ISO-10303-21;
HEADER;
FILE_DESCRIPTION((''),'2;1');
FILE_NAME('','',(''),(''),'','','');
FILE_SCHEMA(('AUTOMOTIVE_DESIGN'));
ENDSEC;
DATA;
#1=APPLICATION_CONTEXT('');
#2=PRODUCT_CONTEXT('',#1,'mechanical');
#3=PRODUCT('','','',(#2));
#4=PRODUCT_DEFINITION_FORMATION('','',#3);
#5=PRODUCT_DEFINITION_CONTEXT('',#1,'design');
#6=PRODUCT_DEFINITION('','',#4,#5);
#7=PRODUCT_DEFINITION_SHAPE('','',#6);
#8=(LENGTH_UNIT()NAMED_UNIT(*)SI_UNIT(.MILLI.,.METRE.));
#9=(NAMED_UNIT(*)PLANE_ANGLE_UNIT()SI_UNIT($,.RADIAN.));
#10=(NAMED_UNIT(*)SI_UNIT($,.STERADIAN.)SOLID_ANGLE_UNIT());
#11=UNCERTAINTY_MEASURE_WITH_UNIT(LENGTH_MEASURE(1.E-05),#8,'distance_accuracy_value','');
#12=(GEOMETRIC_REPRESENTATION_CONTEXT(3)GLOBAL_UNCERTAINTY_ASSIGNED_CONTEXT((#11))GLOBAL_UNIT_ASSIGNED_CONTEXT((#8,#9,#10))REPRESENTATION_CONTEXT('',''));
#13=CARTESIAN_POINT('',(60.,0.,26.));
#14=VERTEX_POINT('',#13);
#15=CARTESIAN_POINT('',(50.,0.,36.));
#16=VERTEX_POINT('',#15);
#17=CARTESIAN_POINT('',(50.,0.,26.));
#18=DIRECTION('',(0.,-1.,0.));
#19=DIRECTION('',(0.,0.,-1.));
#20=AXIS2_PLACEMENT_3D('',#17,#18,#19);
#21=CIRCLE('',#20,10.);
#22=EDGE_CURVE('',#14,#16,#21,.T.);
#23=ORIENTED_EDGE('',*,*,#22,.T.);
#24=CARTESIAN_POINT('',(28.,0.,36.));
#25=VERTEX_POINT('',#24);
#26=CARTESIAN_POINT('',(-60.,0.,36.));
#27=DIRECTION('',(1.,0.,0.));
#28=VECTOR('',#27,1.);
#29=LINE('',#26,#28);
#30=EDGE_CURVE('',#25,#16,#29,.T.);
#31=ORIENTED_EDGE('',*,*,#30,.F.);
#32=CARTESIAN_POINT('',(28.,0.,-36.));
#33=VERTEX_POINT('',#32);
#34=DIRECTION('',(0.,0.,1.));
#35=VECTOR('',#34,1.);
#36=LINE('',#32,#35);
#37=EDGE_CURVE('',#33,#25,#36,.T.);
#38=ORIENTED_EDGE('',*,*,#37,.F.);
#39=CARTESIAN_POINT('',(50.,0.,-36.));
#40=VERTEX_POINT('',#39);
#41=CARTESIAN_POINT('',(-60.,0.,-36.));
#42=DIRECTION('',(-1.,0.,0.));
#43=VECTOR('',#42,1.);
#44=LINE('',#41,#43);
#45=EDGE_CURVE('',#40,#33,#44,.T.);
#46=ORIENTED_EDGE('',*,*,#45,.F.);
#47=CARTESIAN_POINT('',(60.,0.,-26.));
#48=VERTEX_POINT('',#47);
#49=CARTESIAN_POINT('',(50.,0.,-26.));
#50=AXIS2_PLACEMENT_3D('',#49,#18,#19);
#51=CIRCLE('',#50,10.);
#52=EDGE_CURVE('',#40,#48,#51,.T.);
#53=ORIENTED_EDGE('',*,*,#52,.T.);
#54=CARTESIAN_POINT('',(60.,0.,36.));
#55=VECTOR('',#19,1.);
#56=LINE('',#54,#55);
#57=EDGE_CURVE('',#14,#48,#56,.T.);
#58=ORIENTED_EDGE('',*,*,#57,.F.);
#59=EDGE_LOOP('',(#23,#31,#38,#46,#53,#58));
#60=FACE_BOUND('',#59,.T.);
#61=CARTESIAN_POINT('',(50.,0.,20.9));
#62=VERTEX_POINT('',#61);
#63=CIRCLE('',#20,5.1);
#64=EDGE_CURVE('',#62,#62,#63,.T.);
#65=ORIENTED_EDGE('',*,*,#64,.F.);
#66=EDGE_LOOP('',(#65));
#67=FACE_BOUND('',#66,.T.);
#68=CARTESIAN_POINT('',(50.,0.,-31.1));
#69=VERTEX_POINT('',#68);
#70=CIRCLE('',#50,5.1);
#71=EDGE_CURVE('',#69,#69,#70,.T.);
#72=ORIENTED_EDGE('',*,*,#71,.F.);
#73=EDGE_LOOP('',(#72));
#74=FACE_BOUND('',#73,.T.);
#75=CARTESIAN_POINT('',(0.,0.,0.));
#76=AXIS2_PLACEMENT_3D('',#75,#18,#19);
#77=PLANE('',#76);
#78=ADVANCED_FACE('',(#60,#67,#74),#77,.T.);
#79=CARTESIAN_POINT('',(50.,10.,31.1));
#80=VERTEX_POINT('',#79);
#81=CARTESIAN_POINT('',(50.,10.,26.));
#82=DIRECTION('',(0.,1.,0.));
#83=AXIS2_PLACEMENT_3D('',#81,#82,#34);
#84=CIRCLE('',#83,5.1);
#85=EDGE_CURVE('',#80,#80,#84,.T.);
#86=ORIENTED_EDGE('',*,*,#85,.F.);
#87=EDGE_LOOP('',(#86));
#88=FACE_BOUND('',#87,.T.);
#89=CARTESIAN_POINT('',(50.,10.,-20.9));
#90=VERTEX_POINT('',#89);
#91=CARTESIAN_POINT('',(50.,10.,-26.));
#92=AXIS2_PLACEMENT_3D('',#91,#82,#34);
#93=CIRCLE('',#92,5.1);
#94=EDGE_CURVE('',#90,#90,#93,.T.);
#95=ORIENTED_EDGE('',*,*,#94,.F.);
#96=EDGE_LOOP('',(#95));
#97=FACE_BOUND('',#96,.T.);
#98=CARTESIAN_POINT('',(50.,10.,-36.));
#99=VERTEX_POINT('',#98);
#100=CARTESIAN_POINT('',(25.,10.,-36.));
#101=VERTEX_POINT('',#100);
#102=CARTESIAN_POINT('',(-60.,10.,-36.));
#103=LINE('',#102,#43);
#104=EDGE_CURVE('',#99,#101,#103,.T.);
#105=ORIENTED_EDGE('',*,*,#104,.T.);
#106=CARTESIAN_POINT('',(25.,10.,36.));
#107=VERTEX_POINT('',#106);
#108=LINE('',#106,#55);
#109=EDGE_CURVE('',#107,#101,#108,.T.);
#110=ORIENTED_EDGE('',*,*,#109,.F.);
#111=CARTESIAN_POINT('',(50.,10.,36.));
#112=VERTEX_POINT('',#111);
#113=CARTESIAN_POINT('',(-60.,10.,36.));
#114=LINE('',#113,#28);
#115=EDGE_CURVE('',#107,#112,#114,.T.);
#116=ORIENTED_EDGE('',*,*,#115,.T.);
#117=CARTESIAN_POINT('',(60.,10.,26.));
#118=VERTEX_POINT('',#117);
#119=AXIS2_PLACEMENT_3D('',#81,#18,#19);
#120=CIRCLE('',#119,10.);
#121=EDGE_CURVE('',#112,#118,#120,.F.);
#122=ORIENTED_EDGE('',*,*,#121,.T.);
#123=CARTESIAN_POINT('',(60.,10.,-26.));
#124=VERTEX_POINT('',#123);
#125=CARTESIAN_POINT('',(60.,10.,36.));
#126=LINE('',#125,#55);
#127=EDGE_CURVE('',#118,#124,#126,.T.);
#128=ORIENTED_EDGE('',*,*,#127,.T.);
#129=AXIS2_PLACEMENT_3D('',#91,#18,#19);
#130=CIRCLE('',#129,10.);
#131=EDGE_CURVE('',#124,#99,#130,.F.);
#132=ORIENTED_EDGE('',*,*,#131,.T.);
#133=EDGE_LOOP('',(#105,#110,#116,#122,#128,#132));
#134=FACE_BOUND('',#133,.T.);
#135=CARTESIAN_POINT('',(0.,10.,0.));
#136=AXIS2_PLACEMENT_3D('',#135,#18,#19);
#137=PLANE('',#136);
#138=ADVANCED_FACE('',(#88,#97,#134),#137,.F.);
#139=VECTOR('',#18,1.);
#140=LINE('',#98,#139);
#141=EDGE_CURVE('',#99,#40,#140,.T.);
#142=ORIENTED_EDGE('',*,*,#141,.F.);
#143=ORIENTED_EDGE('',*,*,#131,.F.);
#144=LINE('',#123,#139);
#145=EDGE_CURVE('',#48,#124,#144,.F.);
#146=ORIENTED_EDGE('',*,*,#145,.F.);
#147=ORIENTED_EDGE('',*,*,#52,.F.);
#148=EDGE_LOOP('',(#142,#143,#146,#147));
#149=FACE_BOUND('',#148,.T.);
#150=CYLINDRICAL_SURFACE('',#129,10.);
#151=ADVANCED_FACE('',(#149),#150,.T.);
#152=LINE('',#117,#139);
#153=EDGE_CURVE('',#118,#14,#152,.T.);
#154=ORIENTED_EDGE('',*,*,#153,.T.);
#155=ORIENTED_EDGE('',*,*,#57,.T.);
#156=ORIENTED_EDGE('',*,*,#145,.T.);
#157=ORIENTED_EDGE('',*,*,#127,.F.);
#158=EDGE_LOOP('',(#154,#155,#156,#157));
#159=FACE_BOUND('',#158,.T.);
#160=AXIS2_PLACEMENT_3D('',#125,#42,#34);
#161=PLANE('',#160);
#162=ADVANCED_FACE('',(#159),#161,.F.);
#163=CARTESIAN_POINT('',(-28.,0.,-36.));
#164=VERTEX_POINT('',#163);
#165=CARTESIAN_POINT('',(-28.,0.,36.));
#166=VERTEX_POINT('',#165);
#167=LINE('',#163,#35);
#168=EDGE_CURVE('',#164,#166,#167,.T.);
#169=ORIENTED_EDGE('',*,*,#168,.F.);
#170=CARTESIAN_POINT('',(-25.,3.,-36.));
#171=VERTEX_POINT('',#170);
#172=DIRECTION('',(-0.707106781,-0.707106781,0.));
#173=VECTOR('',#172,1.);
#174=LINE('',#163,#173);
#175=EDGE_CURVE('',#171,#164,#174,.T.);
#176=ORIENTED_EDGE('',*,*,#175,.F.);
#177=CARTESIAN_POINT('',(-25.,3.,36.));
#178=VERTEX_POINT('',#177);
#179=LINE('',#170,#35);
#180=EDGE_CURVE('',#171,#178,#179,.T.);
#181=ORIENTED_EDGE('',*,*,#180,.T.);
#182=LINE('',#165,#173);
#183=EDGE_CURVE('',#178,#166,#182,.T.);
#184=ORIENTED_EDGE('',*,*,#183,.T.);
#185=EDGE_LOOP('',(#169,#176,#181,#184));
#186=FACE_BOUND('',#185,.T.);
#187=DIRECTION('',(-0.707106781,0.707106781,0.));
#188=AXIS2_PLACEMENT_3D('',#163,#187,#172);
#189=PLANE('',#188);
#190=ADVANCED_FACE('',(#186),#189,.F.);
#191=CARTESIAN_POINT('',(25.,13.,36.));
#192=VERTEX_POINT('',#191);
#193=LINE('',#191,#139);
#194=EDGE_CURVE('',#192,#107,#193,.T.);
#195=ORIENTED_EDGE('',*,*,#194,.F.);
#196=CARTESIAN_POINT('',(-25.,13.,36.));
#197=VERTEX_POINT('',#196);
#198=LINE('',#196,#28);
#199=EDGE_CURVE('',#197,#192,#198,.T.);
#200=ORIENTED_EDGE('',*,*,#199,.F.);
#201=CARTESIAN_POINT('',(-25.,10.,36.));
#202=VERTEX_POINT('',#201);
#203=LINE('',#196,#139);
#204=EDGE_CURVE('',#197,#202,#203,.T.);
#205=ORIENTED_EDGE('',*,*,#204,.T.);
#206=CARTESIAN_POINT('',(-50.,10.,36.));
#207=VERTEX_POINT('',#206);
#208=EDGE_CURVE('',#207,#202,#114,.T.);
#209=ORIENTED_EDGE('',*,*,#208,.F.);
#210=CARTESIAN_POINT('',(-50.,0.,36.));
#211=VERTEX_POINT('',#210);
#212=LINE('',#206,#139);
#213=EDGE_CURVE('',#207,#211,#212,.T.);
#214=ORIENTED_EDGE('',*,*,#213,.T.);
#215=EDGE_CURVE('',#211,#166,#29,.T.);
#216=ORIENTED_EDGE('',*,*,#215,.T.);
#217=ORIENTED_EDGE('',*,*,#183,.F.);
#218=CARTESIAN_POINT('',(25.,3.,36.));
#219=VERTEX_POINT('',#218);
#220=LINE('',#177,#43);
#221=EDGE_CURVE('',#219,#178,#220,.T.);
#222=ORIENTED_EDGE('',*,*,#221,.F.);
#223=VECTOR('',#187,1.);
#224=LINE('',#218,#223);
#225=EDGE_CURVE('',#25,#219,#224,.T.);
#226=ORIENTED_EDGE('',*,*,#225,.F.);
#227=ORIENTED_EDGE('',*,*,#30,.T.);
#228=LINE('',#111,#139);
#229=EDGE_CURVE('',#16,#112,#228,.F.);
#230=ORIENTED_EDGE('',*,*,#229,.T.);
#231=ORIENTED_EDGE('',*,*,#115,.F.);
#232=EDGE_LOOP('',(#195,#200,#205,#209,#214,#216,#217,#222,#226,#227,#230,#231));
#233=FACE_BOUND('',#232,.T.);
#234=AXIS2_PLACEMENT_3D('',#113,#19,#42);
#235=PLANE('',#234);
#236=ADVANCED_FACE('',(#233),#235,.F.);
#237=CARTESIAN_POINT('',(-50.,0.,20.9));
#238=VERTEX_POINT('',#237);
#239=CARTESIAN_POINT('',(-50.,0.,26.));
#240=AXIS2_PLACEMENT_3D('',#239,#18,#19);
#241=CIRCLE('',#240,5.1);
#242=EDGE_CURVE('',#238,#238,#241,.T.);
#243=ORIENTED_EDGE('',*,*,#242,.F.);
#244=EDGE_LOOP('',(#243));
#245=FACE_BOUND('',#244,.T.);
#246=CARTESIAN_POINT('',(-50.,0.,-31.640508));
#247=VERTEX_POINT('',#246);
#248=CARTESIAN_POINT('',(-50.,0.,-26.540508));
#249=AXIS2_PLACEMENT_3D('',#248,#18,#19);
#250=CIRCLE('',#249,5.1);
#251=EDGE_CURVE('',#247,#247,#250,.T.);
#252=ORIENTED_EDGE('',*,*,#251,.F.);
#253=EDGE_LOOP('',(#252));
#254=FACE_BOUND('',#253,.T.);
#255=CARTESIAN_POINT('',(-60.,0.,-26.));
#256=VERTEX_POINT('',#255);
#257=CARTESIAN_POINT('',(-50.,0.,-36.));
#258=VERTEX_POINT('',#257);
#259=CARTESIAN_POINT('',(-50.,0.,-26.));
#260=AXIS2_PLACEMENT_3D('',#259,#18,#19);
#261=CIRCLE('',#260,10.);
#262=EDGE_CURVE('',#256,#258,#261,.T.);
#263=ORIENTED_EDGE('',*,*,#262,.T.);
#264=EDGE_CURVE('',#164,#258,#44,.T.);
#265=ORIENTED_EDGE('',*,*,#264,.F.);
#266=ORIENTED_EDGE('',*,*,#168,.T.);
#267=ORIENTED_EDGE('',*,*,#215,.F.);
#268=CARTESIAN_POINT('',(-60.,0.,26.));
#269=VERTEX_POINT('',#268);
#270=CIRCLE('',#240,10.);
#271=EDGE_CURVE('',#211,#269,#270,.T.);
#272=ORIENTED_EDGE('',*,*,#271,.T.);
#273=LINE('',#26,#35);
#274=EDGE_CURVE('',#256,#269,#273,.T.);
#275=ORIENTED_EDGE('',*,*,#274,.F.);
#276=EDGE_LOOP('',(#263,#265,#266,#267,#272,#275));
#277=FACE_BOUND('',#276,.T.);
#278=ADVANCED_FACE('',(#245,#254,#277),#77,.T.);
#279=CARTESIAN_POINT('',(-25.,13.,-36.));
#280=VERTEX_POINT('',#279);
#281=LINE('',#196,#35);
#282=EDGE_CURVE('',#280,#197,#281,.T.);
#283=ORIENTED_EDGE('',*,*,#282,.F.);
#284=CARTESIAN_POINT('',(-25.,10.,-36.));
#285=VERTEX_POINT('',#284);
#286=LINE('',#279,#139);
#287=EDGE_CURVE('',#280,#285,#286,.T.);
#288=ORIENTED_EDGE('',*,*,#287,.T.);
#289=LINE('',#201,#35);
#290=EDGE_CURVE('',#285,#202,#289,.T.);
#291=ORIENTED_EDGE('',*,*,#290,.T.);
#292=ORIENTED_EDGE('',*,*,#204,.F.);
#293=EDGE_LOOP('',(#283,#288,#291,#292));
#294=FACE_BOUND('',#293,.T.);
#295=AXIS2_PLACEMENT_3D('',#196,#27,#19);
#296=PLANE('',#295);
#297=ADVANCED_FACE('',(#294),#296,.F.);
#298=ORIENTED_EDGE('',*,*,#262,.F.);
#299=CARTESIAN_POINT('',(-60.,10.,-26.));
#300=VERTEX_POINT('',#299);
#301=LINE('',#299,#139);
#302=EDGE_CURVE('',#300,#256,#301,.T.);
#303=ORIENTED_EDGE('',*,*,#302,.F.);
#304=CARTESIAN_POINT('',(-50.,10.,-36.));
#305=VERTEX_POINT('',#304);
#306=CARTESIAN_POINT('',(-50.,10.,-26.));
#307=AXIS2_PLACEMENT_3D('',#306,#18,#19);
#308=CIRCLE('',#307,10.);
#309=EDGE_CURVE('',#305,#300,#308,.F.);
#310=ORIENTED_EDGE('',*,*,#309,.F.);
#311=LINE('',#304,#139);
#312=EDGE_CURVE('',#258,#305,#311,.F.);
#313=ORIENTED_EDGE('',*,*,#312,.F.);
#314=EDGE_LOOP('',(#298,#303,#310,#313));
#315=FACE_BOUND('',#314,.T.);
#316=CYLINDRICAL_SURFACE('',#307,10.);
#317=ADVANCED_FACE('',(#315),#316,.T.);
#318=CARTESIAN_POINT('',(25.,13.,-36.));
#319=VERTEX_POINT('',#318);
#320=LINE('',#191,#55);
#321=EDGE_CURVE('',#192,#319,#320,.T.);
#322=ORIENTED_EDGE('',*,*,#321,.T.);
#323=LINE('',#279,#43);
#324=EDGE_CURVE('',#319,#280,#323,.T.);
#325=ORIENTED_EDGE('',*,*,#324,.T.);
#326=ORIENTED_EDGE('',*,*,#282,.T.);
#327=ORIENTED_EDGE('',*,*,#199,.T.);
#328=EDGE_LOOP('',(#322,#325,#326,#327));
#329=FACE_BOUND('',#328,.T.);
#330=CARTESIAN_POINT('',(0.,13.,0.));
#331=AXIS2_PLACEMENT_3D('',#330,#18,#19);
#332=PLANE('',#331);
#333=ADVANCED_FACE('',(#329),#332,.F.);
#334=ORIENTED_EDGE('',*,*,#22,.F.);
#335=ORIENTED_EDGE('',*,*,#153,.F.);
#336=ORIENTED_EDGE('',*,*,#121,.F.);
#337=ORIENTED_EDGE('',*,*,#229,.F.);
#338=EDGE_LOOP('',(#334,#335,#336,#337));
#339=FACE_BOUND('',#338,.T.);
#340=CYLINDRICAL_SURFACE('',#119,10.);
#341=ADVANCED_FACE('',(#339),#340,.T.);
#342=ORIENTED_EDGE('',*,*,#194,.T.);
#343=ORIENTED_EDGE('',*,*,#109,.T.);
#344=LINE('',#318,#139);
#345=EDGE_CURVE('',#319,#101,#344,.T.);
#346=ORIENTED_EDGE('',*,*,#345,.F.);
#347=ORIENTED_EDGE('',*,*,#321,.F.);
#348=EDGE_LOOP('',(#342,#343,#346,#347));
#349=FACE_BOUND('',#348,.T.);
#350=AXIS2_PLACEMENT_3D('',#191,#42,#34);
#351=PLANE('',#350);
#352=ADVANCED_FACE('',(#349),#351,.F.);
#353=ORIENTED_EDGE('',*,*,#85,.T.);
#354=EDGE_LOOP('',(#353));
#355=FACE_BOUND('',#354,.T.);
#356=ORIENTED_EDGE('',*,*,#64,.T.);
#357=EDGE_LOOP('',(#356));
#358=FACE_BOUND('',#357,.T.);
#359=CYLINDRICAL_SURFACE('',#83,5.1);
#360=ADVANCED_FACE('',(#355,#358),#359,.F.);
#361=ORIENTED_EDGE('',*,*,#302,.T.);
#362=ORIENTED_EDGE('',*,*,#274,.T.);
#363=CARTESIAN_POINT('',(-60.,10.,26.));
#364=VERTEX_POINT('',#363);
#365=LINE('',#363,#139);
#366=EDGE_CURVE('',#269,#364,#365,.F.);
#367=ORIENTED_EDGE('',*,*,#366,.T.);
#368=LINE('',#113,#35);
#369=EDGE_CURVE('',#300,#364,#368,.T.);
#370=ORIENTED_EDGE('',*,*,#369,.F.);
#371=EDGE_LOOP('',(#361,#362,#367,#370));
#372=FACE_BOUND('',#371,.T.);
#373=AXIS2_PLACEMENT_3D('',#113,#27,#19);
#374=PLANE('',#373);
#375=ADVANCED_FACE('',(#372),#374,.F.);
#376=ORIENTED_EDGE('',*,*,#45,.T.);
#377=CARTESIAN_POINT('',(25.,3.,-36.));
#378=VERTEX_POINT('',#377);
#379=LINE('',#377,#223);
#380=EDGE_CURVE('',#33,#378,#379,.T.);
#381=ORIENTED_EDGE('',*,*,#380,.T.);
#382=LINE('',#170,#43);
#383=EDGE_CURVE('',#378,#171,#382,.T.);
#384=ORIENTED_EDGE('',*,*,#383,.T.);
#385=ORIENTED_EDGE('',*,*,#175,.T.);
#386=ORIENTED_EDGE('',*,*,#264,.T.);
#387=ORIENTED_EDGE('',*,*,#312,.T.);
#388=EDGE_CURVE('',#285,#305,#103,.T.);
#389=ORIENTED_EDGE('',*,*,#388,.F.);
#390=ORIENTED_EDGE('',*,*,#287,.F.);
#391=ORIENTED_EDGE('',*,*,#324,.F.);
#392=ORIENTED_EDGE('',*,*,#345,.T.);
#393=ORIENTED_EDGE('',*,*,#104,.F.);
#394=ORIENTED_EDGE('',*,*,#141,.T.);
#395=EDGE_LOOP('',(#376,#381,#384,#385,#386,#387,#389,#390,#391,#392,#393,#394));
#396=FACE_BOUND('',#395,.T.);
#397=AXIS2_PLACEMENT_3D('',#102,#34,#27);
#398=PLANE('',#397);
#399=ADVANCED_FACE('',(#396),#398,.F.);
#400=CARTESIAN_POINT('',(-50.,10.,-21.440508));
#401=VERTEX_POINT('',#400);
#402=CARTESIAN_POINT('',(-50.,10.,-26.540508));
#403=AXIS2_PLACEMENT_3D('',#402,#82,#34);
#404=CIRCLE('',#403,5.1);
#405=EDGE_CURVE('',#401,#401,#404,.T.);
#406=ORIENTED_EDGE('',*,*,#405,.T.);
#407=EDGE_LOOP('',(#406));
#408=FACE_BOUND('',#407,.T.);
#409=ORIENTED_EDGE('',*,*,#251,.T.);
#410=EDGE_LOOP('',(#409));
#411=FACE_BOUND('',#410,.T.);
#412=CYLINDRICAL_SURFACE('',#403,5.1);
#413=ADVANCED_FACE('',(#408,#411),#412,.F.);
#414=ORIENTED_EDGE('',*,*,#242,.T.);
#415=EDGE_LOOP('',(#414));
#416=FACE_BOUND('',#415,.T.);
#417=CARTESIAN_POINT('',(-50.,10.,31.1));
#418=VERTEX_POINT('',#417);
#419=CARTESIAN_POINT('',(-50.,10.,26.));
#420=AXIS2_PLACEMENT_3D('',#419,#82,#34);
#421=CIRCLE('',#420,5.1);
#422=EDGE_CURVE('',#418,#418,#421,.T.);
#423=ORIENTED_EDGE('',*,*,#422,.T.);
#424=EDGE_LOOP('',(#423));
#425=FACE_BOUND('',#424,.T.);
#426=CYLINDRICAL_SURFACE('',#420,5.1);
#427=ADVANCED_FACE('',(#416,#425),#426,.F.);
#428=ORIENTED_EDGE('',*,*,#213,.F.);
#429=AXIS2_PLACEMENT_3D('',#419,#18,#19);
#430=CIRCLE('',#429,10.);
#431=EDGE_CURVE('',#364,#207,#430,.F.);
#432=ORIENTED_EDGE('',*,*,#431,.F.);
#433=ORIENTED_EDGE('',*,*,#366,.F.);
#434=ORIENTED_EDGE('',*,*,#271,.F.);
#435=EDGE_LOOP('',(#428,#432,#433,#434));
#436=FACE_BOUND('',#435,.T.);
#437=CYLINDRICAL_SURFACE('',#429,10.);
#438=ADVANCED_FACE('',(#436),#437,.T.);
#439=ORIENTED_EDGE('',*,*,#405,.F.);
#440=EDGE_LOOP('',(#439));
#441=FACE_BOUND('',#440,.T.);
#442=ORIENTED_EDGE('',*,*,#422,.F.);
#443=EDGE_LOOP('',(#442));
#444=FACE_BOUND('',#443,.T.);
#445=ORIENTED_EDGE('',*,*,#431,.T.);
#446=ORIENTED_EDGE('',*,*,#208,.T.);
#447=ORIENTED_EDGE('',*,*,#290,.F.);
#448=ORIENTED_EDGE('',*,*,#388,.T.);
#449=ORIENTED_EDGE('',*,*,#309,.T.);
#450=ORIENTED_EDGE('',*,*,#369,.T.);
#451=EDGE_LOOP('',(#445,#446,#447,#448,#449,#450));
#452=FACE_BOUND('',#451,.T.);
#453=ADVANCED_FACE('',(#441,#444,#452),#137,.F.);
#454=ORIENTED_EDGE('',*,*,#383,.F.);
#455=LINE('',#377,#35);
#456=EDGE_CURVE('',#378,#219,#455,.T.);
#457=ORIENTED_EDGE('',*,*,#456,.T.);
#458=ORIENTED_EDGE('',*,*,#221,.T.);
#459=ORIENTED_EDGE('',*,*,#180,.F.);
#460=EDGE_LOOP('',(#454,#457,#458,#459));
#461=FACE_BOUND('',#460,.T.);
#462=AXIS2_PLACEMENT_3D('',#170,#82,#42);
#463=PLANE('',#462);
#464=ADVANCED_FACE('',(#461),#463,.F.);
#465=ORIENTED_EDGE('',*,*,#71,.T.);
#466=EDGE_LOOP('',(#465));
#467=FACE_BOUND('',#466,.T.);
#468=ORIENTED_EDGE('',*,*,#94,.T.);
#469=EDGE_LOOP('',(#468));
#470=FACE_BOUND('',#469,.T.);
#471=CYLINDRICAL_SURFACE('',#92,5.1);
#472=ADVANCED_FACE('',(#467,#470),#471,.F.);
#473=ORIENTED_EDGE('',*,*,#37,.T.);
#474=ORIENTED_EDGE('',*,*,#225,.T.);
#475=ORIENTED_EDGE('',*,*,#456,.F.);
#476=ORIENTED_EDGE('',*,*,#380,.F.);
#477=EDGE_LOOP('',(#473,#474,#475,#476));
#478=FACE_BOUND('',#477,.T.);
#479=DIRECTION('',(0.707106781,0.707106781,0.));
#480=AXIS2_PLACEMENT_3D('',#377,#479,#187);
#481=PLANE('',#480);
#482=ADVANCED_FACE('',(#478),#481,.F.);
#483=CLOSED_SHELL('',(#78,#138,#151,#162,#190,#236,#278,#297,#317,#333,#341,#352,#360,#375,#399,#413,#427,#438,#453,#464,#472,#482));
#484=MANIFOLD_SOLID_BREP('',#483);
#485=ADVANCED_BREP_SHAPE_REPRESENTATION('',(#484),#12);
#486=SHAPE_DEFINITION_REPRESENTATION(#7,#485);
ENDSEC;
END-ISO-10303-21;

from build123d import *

# Parameters (mm, degrees)
SKETCH1_W              = 120
SKETCH1_H              = 72
BOSS_EXTRUDE1_DEPTH    = 10
FILLET1_R              = 10
M12_TAPPED_HOLE1_D     = 10.2
M12_TAPPED_HOLE1_DEPTH = 10
SKETCH4_W              = 50
SKETCH4_H              = 72
BOSS_EXTRUDE2_DEPTH    = 3
CUT_EXTRUDE1_DEPTH     = 73


with BuildPart() as part:
    # Sketch1 → Boss-Extrude1 (new body)
    with BuildSketch(Plane(origin=(0, 0, 0), x_dir=(1, 0, 0), z_dir=(0, 1, 0))):
        Rectangle(SKETCH1_W, SKETCH1_H)
    extrude(amount=BOSS_EXTRUDE1_DEPTH)

    # Fillet1
    fillet1_edges = [part.edges().sort_by_distance(p)[0] for p in [
        (60, 5, 36),
        (-60, 5, 36),
        (-60, 5, -36),
        (60, 5, -36),
    ]]
    fillet(fillet1_edges, radius=FILLET1_R)

    # M12 Tapped Hole1
    with Locations(Plane(origin=(0, 10, 0), x_dir=(1, 0, 0), z_dir=(0, 1, 0))):
        with Locations((0, 43.37107415), (50, -26), (50, 26), (-50, 26.540508062), (-50, -26)):
            Hole(M12_TAPPED_HOLE1_D / 2, depth=M12_TAPPED_HOLE1_DEPTH)

    # Sketch4 → Boss-Extrude2 (add)
    with BuildSketch(Plane(origin=(0, 10, 0), x_dir=(1, 0, 0), z_dir=(0, 1, 0))):
        Rectangle(SKETCH4_W, SKETCH4_H)
    extrude(amount=BOSS_EXTRUDE2_DEPTH)

    # Sketch5 → Cut-Extrude1 (cut, through all)
    with BuildSketch(Plane.XY.offset(36)):
        Polygon((-28, 0), (-25, 3), (25, 3), (28, 0), align=None)
    extrude(amount=-CUT_EXTRUDE1_DEPTH, mode=Mode.SUBTRACT)


solid = part.part
